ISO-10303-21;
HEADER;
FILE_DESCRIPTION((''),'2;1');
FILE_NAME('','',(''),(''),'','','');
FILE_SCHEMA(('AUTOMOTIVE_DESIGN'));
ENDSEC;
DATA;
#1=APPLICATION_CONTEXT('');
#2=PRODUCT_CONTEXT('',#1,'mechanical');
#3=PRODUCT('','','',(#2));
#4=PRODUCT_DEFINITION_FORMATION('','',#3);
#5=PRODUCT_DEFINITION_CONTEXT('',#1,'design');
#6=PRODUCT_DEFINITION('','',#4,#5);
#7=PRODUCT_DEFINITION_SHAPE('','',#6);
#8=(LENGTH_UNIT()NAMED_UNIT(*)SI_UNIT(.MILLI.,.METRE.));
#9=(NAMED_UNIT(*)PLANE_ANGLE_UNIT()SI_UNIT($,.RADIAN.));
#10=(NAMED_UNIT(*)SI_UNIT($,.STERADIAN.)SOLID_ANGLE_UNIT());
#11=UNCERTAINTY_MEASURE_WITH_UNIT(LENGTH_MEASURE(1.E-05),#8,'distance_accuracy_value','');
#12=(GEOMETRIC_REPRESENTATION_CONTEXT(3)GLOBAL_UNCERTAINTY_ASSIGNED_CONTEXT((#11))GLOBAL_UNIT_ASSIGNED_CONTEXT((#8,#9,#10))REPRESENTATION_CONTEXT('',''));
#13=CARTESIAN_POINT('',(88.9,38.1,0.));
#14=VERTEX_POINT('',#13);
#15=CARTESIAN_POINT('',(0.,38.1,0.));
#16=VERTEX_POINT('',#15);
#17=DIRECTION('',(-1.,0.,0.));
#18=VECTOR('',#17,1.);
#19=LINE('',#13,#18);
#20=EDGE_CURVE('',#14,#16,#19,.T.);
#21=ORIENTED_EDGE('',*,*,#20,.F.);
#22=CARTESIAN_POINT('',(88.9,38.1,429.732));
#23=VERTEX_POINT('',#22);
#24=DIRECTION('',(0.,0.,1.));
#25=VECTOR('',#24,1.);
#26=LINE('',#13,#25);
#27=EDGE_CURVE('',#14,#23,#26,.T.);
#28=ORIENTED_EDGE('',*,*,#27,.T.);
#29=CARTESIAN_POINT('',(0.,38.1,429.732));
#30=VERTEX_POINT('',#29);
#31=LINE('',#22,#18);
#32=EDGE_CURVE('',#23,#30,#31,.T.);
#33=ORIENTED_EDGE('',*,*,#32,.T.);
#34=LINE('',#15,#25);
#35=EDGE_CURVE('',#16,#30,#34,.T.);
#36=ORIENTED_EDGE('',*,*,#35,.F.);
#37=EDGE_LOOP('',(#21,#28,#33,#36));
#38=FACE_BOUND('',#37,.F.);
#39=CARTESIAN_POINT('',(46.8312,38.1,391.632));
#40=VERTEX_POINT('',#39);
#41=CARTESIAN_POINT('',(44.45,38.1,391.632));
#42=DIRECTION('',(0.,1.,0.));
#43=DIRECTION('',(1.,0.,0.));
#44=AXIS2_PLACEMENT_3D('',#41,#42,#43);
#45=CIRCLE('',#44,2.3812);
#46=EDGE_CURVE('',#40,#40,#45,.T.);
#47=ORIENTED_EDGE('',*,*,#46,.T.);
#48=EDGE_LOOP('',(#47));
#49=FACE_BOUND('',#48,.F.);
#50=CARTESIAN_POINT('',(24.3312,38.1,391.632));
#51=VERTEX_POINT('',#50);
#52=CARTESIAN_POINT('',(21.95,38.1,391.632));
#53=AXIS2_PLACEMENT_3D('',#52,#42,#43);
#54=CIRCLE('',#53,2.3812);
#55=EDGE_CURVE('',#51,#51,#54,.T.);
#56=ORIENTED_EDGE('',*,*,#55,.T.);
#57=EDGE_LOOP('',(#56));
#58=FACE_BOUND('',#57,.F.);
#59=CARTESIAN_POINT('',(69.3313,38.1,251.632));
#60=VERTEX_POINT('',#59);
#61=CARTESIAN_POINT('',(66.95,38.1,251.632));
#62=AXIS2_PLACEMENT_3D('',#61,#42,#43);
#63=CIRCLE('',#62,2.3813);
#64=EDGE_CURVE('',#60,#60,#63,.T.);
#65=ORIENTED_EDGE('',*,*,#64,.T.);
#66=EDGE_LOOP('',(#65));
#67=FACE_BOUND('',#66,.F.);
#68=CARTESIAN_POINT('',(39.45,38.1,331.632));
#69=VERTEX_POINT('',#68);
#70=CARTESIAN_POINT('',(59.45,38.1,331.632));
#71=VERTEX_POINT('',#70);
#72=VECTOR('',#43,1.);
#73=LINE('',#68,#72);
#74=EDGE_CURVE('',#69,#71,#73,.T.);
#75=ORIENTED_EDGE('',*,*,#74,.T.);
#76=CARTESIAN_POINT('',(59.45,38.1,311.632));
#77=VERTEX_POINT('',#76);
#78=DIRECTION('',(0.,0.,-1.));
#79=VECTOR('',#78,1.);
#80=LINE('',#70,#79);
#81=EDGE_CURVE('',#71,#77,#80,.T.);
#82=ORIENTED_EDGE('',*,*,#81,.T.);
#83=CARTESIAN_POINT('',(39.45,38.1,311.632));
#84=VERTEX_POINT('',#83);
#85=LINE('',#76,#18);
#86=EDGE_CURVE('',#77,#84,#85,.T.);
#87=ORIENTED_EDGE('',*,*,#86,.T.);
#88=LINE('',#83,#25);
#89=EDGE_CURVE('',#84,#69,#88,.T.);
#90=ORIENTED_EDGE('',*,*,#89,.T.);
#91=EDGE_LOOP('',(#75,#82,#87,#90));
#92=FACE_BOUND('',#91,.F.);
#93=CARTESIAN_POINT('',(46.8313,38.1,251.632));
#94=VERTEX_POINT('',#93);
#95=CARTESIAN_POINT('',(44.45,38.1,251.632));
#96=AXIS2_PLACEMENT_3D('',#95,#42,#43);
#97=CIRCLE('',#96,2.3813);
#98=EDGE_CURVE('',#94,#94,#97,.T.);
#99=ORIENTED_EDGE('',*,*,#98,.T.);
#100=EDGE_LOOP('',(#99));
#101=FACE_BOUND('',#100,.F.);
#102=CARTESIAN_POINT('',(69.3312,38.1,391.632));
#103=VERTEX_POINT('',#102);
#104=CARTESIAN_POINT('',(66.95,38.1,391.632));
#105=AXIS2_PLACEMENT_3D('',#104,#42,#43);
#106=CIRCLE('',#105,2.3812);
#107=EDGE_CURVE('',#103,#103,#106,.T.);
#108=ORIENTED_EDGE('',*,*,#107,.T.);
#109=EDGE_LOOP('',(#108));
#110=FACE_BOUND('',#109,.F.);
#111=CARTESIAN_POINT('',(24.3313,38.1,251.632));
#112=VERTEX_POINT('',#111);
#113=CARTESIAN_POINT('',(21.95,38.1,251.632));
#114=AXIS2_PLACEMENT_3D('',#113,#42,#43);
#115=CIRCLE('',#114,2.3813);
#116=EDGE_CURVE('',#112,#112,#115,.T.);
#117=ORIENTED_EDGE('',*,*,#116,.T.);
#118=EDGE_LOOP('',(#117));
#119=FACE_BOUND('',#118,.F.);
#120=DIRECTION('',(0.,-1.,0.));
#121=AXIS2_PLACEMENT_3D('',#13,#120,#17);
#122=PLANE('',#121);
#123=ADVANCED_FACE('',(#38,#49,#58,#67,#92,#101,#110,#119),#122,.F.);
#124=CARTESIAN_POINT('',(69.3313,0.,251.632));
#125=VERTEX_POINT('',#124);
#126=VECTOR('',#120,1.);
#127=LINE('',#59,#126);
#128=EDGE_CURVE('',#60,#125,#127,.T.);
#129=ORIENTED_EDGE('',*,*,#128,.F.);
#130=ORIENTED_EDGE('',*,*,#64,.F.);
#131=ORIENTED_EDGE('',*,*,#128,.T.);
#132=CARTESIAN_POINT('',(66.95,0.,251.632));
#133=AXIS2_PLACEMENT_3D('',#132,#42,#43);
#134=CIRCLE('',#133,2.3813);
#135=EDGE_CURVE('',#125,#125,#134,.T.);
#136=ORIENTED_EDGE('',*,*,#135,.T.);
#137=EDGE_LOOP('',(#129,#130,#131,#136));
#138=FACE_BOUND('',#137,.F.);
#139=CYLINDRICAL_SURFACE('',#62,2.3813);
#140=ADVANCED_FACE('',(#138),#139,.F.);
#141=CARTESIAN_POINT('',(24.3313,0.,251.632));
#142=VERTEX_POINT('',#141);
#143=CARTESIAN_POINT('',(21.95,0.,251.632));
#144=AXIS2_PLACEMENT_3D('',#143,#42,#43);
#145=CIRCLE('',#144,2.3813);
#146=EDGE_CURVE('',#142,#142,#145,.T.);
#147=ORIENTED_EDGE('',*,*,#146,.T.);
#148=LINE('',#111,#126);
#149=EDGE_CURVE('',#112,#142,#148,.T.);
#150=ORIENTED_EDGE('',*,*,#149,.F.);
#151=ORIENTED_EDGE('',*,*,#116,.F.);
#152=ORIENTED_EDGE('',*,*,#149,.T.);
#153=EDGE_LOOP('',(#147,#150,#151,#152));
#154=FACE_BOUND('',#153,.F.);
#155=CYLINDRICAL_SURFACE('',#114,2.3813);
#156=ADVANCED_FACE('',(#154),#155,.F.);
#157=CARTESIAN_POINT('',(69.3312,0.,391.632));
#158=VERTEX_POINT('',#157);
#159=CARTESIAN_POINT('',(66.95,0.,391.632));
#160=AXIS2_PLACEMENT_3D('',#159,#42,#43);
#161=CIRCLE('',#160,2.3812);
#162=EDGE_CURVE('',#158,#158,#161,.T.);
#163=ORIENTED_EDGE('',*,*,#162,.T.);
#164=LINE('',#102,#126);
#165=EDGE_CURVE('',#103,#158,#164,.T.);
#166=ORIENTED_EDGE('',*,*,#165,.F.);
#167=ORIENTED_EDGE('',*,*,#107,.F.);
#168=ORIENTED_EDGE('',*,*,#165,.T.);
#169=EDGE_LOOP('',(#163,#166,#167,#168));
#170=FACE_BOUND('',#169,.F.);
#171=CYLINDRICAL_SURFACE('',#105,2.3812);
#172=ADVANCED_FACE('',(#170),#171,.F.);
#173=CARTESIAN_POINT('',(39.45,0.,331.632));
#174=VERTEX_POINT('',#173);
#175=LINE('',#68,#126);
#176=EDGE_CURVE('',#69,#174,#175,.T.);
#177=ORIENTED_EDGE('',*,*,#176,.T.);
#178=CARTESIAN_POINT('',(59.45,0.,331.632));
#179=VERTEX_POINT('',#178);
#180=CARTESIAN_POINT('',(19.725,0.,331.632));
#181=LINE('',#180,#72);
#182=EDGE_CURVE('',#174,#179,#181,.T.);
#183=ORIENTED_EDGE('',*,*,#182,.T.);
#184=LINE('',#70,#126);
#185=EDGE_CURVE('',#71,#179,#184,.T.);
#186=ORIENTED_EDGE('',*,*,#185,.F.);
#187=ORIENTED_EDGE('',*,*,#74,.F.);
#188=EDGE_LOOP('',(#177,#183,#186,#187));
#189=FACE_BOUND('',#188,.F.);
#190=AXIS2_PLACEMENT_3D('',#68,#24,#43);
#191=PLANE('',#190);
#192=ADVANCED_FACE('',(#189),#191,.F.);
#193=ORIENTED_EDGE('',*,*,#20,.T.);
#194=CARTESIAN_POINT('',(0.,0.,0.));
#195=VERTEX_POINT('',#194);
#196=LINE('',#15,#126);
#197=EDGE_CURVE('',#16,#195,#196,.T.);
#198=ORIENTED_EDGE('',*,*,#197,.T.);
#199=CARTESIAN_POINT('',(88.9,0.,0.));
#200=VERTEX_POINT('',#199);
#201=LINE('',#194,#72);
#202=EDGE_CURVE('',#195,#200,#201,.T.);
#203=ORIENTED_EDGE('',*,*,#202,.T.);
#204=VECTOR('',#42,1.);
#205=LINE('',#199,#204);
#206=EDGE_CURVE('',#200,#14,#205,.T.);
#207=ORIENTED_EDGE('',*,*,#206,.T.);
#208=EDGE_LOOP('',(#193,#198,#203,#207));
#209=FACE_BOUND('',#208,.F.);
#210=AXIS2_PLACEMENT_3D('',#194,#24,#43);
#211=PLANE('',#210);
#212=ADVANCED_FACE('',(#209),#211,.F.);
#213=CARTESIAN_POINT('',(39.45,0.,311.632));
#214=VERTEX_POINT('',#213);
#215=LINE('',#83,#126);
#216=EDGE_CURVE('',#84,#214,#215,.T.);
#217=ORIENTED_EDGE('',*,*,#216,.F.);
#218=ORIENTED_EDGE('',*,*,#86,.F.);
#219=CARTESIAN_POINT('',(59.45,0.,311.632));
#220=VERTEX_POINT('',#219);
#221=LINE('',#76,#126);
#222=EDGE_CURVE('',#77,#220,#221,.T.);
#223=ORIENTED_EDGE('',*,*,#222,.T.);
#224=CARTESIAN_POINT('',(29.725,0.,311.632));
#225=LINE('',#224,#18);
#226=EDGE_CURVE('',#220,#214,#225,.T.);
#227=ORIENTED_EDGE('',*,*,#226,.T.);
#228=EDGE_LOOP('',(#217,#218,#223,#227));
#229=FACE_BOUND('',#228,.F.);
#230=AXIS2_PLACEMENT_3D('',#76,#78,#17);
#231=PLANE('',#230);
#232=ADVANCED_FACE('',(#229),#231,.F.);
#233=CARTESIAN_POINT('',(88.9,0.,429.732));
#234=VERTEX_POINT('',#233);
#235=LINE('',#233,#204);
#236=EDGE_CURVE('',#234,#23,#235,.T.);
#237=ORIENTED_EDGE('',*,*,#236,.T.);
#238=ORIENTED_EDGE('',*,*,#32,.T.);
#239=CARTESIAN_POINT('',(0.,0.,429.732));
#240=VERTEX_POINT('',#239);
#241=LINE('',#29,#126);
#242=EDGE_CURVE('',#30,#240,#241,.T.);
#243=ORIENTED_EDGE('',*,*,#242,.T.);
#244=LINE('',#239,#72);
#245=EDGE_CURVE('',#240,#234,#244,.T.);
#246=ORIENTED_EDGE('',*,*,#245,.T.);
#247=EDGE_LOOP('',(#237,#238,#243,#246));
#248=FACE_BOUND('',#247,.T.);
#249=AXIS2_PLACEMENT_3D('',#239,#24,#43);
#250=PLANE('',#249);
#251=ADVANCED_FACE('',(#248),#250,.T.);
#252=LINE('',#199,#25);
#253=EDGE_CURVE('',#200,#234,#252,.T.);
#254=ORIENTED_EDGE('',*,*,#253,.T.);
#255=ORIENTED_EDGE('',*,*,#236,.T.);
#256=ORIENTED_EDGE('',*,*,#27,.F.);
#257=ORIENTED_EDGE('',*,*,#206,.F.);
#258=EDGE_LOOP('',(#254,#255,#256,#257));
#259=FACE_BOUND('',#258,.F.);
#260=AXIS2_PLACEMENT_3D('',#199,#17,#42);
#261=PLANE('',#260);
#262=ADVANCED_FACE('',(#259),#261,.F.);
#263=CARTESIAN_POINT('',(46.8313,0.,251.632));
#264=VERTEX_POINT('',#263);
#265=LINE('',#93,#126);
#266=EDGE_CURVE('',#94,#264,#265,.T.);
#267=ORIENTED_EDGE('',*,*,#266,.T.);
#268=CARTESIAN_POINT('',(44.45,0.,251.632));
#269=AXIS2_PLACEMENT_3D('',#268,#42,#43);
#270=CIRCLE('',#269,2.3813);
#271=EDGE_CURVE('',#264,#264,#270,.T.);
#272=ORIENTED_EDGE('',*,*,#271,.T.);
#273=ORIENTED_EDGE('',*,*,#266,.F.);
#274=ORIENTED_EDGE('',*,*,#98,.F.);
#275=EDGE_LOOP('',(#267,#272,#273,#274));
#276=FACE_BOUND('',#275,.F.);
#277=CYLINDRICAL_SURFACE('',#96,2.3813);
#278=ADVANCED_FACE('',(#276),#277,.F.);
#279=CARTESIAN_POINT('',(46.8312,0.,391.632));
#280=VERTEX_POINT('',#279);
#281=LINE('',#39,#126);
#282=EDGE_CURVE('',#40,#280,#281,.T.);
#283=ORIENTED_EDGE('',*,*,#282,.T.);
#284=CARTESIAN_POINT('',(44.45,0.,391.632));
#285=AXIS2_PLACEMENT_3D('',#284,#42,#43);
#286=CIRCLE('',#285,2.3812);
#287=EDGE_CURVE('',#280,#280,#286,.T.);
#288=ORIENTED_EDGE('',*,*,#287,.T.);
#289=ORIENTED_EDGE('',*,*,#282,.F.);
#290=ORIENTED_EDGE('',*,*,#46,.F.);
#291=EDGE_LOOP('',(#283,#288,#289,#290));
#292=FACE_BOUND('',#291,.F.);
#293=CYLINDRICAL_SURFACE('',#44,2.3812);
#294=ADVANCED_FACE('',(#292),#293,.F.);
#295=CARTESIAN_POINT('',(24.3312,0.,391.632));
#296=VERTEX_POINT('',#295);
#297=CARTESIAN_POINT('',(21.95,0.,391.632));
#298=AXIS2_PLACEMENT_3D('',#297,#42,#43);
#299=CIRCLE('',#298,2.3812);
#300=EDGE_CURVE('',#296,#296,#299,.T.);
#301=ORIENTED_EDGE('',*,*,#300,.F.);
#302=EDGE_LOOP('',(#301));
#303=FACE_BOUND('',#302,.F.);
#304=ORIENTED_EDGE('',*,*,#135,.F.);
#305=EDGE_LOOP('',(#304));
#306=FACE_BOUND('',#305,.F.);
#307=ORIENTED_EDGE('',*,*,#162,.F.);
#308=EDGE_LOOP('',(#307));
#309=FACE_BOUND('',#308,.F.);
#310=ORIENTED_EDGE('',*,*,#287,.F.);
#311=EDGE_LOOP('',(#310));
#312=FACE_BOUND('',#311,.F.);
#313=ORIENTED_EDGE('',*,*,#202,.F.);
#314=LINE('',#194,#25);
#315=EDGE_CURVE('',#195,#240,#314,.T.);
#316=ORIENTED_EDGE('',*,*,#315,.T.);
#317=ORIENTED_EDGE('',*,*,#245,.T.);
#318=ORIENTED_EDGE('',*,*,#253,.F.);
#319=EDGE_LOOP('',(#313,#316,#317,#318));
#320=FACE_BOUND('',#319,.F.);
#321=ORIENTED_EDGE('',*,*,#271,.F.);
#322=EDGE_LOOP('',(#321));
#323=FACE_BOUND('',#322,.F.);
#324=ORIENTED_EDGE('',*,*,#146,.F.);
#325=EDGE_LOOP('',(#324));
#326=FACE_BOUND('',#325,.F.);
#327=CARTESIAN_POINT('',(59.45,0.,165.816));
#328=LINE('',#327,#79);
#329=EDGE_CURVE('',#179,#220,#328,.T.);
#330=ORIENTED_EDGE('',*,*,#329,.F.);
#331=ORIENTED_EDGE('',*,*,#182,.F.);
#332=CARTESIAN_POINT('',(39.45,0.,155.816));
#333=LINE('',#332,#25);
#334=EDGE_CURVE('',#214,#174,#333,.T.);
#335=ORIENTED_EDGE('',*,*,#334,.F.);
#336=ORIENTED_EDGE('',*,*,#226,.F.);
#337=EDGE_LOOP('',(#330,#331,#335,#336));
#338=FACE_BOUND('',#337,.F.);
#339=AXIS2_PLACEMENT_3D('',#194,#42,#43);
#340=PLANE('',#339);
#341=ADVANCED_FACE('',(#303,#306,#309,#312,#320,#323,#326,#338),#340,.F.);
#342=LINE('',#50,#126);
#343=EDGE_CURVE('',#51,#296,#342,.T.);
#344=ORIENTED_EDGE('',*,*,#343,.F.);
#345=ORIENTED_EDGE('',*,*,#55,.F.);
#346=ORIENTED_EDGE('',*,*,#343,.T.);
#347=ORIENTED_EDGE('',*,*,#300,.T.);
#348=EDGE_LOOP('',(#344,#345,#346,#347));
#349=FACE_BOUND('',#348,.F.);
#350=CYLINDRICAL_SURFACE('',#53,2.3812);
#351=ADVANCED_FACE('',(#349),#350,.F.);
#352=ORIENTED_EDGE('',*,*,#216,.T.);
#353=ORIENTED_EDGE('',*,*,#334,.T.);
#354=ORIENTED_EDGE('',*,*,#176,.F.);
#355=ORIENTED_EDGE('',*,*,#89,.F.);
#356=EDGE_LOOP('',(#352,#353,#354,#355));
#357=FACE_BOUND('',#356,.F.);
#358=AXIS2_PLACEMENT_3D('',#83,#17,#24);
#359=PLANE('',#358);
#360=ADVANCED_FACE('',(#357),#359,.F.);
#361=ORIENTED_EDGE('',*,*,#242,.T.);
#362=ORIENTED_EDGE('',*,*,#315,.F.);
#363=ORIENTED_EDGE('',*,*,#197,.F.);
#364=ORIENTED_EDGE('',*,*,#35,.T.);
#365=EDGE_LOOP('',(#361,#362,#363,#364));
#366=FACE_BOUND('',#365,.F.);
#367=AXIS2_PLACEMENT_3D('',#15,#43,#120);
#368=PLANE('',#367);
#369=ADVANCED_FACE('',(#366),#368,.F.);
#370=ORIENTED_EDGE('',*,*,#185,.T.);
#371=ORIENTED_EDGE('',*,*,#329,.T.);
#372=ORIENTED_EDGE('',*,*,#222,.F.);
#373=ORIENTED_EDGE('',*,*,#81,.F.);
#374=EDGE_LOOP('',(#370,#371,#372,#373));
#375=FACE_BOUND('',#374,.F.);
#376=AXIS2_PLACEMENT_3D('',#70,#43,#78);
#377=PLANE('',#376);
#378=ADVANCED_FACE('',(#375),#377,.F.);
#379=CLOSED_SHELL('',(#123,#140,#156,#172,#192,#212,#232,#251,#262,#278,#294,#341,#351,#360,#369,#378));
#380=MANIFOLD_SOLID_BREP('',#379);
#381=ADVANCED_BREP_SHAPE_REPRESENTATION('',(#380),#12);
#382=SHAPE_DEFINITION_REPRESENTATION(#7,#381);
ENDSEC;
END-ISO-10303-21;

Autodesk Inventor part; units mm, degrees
ref_plane "YZ Plane" through (0, 0, 0) normal (1, 0, 0) x (0, 1, 0)
ref_plane "XZ Plane" through (0, 0, 0) normal (0, 1, 0) x (-1, 0, 0)
ref_plane "XY Plane" through (0, 0, 0) normal (0, 0, 1) x (1, 0, 0)
sketch "Sketch1" plane through (0, 0, 0) normal (0, 0, 1) x (1, 0, 0)
  line L0 (0, 0) -> (88.9, 0)
  line L1 (88.9, 0) -> (88.9, 38.1)
  line L2 (88.9, 38.1) -> (0, 38.1)
  line L3 (0, 38.1) -> (0, 0)
  dimension "d0" = 88.9
  dimension "d1" = 38.1
extrude "Extrusion1" add sketch "Sketch1" along normal blind 429.732
sketch "Sketch2" plane through (0, 38.1, 0) normal (0, 1, 0) x (1, 0, 0)
  line L0 (66.95, -391.632) -> (21.95, -391.632) construction
  line L1 (21.95, -391.632) -> (21.95, -251.632) construction
  line L2 (21.95, -251.632) -> (66.95, -251.632) construction
  line L3 (66.95, -251.632) -> (66.95, -391.632) construction
  circle A0 centre (21.95, -391.632) radius 2.3812
  circle A1 centre (44.45, -391.632) radius 2.3812
  circle A2 centre (66.95, -391.632) radius 2.3812
  circle A3 centre (66.95, -251.632) radius 2.3813
  circle A4 centre (44.45, -251.632) radius 2.3813
  circle A5 centre (21.95, -251.632) radius 2.3813
  line L4 (44.45, -391.632) -> (44.45, -251.632) construction
  line L5 (21.95, -321.632) -> (66.95, -321.632) construction
  line L6 (88.9, -429.732) -> (0, -429.732) projected
  line L7 (39.45, -331.632) -> (59.45, -331.632)
  line L8 (59.45, -331.632) -> (59.45, -311.632)
  line L9 (59.45, -311.632) -> (39.45, -311.632)
  line L10 (39.45, -311.632) -> (39.45, -331.632)
  point P0 (0, 0)
  point P1 (44.45, -429.732)
  dimension "d4" = 45
  dimension "d5" = 140
  dimension "d6" = 4.7625
  dimension "d7" = 4.7625
  dimension "d8" = 4.7625
  dimension "d9" = 4.7625
  dimension "d10" = 4.7625
  dimension "d11" = 4.7625
  dimension "d12" = 38.1
  dimension "d13" = 60
  dimension "d14" = 7.5
  dimension "d15" = 20
  dimension "d16" = 20
extrude "Extrusion2" cut sketch "Sketch2" against normal through all
properties part number "BO03" material "Wood (Oak)"
